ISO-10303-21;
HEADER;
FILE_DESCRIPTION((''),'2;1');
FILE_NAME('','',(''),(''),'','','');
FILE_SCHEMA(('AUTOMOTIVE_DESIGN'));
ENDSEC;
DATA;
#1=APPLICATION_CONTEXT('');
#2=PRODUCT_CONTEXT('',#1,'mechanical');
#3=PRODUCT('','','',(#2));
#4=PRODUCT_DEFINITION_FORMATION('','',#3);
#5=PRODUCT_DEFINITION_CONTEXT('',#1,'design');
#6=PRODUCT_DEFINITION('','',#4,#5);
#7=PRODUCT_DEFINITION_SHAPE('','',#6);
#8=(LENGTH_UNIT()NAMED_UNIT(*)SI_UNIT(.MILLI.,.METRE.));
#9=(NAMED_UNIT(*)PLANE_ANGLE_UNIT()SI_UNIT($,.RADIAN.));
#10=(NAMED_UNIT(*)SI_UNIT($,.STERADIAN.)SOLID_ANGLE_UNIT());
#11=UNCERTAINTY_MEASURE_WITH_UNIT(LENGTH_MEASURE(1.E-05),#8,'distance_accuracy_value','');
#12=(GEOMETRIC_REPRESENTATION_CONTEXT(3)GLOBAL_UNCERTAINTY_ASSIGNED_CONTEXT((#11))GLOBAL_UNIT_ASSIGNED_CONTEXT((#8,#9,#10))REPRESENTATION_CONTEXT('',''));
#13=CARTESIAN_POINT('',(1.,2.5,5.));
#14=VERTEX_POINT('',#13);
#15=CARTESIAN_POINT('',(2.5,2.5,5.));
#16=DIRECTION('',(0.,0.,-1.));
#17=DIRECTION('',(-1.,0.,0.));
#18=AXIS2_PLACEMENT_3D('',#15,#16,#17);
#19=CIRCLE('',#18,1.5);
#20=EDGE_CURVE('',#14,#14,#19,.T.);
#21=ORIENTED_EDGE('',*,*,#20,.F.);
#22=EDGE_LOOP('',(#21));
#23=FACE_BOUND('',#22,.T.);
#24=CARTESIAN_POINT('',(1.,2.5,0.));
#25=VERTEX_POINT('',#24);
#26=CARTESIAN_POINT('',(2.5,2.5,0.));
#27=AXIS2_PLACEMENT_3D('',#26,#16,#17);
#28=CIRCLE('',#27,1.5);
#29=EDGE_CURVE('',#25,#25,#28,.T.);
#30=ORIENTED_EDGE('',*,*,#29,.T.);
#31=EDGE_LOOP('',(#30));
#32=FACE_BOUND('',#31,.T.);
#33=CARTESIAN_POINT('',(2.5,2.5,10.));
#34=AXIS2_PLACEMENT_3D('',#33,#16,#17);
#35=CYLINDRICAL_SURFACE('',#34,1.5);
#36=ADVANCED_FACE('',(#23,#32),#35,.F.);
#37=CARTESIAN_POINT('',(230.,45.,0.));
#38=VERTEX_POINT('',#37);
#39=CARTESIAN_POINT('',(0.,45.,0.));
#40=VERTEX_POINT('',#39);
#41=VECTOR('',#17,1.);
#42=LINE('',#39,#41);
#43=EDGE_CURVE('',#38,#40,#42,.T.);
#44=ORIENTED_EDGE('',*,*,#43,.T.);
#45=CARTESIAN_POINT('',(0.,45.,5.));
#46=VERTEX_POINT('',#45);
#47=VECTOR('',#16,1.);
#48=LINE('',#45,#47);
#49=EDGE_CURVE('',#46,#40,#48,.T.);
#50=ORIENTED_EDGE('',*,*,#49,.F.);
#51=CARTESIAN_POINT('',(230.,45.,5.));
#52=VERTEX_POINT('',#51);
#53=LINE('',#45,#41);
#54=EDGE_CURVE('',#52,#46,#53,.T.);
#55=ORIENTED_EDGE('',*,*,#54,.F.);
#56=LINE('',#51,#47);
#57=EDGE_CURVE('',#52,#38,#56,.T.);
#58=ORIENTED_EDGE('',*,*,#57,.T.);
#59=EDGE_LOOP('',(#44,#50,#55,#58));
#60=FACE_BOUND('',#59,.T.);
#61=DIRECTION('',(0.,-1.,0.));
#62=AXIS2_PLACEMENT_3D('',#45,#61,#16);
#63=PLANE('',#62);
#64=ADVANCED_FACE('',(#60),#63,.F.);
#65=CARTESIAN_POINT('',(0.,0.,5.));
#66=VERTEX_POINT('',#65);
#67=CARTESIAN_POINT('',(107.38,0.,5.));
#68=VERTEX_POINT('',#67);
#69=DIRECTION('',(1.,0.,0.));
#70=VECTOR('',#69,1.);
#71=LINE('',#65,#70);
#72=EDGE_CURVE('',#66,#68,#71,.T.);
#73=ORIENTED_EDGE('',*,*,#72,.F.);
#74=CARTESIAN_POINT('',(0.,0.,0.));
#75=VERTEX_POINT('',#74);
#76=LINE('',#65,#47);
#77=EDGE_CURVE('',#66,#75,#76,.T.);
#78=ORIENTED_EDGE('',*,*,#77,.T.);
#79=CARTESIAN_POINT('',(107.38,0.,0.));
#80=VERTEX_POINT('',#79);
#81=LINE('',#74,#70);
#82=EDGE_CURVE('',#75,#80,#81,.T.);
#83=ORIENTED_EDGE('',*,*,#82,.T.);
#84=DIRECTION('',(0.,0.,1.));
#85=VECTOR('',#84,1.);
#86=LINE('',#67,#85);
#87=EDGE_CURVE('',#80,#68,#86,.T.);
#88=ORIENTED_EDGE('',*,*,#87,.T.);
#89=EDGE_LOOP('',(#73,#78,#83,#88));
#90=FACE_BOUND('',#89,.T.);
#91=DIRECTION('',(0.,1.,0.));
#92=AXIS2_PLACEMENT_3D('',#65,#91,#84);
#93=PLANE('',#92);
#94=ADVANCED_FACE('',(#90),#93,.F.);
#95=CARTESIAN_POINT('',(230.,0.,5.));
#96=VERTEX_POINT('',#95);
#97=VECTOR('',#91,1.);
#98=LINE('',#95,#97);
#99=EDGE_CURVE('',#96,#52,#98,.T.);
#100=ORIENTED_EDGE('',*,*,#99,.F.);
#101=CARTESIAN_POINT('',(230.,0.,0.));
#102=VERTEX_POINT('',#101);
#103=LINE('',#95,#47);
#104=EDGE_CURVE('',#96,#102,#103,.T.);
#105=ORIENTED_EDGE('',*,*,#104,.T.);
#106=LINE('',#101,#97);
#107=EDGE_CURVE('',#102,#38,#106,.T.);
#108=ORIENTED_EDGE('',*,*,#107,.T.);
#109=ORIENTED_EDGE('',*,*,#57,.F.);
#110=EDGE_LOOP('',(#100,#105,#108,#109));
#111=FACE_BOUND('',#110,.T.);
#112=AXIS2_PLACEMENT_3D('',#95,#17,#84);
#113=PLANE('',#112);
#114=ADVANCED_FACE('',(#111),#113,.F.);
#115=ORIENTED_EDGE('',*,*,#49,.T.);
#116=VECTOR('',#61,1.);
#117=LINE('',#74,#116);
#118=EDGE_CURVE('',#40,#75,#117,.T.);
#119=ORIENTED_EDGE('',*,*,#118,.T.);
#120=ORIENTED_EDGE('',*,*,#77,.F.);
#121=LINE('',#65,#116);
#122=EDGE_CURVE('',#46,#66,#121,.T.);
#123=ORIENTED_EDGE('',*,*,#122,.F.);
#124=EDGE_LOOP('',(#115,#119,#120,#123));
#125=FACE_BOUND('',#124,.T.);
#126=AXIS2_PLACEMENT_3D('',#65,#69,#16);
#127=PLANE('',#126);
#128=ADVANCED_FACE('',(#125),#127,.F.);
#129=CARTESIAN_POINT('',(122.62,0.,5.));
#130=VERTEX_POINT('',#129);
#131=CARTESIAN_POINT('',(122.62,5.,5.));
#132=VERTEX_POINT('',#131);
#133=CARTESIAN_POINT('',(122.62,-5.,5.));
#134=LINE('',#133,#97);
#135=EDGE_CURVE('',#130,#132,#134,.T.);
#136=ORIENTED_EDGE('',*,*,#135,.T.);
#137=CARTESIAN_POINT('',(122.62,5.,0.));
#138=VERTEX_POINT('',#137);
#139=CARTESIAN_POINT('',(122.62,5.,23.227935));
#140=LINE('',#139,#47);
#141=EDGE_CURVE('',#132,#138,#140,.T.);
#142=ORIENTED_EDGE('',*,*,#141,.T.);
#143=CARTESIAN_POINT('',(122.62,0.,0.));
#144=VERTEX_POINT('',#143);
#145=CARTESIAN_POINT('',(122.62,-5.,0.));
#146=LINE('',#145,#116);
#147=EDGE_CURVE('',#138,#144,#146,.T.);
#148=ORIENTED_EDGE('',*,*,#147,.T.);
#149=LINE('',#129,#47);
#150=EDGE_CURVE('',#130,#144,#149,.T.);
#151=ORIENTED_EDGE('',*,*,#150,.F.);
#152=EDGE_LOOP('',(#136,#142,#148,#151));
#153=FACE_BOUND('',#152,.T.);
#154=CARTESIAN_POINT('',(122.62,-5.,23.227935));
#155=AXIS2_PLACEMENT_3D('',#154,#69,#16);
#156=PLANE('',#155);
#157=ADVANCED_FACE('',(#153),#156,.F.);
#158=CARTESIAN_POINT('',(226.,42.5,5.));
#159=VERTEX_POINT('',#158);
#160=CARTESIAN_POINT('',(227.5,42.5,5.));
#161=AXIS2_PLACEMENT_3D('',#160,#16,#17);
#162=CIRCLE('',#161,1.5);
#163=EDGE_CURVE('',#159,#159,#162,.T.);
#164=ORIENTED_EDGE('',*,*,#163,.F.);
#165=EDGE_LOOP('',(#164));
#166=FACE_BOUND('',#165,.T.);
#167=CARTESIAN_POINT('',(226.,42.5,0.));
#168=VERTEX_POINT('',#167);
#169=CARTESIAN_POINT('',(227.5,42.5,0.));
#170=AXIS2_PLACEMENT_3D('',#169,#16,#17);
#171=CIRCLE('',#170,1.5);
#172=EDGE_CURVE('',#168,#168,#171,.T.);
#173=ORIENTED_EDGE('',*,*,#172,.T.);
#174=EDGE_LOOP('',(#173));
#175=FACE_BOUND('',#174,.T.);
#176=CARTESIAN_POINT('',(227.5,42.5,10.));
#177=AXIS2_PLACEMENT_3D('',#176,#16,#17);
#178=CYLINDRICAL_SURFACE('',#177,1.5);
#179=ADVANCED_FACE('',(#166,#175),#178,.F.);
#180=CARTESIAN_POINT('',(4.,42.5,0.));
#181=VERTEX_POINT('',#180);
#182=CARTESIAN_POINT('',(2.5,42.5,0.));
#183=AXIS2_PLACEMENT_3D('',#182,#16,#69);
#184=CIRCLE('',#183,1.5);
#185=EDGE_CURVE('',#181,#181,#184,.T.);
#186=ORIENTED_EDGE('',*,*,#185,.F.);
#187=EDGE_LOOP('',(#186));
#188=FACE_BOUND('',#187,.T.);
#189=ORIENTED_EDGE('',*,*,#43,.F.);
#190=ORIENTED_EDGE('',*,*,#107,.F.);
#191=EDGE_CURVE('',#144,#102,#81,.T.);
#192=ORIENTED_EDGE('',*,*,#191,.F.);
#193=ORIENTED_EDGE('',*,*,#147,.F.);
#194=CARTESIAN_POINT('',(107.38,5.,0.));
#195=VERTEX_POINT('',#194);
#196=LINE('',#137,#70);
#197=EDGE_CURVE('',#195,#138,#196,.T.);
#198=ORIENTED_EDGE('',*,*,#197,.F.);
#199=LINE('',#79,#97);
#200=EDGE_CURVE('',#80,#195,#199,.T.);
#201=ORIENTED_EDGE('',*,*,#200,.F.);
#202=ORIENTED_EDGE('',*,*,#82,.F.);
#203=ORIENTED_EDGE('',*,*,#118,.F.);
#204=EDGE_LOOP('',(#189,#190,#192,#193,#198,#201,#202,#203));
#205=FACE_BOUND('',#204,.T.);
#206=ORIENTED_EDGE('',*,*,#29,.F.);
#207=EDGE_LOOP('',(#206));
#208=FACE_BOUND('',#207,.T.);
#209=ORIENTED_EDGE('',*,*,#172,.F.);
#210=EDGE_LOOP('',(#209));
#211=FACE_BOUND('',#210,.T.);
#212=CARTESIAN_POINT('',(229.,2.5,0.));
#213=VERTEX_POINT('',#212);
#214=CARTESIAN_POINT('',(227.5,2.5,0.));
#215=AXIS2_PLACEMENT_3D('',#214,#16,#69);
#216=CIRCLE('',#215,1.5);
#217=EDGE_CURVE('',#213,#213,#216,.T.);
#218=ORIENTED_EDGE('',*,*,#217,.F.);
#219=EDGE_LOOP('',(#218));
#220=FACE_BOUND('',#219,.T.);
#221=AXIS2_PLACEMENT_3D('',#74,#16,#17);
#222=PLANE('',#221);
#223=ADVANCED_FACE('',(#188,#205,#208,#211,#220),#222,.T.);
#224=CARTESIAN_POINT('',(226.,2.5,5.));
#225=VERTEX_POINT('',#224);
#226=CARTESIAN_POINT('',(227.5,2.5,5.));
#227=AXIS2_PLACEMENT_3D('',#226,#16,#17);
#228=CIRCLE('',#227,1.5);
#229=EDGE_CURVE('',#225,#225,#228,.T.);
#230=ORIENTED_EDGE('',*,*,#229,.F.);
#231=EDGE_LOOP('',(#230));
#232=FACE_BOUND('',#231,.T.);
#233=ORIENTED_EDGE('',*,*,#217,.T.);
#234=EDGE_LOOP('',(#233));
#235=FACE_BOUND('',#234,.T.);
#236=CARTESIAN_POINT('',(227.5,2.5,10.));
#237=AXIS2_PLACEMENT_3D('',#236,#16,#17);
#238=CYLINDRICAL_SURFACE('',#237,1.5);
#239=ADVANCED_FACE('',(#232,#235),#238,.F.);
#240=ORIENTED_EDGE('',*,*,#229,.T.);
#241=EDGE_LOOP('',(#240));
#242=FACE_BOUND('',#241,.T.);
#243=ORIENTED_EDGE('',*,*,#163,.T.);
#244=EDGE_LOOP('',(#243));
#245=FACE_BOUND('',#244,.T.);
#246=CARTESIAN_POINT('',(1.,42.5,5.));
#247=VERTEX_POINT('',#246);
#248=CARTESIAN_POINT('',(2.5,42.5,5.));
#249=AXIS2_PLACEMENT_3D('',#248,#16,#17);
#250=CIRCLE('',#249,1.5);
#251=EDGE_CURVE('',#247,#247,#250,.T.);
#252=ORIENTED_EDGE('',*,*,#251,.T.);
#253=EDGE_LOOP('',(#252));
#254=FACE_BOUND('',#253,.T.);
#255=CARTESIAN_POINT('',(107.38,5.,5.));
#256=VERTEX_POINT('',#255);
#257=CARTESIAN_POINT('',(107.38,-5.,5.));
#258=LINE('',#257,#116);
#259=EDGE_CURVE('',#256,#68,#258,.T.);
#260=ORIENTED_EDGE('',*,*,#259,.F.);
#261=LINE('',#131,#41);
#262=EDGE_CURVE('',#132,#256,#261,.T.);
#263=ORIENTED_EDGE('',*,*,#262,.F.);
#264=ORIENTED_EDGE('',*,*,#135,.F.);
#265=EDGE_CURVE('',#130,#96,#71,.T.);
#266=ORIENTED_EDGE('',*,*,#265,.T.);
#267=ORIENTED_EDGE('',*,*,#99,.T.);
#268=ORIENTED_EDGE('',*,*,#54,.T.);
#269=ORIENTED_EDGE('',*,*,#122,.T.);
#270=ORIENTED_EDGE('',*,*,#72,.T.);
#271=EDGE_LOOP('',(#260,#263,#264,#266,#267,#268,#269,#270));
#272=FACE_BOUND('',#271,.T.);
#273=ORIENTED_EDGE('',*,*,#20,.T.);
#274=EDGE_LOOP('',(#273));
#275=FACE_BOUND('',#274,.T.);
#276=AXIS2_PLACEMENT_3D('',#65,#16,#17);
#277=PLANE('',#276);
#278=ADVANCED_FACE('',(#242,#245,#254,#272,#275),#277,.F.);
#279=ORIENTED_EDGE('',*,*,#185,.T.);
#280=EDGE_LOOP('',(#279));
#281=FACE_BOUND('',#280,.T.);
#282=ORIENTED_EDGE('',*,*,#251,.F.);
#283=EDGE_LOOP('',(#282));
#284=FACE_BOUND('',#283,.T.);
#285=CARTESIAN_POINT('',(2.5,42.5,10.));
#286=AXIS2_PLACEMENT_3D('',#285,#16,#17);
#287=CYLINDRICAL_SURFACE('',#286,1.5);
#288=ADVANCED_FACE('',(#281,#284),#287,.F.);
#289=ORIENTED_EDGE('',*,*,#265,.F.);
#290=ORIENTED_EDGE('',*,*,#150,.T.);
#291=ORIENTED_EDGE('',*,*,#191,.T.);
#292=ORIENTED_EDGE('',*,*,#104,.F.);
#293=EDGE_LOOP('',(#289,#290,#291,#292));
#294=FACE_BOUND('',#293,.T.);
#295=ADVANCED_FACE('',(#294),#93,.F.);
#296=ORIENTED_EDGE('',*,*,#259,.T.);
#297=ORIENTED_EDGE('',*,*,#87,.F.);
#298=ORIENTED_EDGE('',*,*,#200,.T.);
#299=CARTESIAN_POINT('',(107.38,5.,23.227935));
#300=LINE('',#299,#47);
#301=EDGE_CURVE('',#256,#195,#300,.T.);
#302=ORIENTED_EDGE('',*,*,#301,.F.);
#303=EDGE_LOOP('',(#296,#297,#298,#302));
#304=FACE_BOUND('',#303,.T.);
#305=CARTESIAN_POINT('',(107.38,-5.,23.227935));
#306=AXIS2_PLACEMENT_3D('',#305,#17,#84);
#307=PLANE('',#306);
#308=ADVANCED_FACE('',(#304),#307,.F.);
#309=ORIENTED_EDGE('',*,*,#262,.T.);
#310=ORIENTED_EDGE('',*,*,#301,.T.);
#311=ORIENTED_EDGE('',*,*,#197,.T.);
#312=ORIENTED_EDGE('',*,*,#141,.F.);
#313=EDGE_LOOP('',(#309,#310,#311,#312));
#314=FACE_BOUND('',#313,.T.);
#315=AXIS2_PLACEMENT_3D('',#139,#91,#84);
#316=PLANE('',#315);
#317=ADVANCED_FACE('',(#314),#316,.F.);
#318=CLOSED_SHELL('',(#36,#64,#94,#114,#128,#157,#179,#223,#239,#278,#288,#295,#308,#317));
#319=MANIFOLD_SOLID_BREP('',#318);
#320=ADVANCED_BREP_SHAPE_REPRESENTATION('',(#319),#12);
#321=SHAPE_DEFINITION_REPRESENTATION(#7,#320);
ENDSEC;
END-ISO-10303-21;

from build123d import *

# Parameters (mm, degrees)
SKETCH1_W           = 230
SKETCH1_H           = 45
BOSS_EXTRUDE1_DEPTH = 5
SKETCH2_R           = 1.5
CUT_EXTRUDE1_DEPTH  = 10
SKETCH3_W           = 15.24
SKETCH3_H           = 10
CUT_EXTRUDE2_DEPTH  = 5


with BuildPart() as part:
    # Sketch1 → Boss-Extrude1 (new body)
    with BuildSketch(Plane.XY):
        with Locations((115, 22.5)):
            Rectangle(SKETCH1_W, SKETCH1_H)
    extrude(amount=BOSS_EXTRUDE1_DEPTH)

    # Sketch2 → Cut-Extrude1 (cut)
    with BuildSketch(Plane(origin=(0, 0, 0), x_dir=(-1, 0, 0), z_dir=(0, 0, -1))):
        with Locations((-227.5, 42.5)):
            Circle(SKETCH2_R)
        with Locations((-227.5, 2.5)):
            Circle(SKETCH2_R)
        with Locations((-2.5, 2.5)):
            Circle(SKETCH2_R)
        with Locations((-2.5, 42.5)):
            Circle(SKETCH2_R)
    extrude(amount=-CUT_EXTRUDE1_DEPTH, mode=Mode.SUBTRACT)

    # Sketch3 → Cut-Extrude2 (cut)
    with BuildSketch(Plane(origin=(0, 0, 0), x_dir=(-1, 0, 0), z_dir=(0, 0, -1))):
        with Locations((-115, 0)):
            Rectangle(SKETCH3_W, SKETCH3_H)
    extrude(amount=-CUT_EXTRUDE2_DEPTH, mode=Mode.SUBTRACT)


solid = part.part
